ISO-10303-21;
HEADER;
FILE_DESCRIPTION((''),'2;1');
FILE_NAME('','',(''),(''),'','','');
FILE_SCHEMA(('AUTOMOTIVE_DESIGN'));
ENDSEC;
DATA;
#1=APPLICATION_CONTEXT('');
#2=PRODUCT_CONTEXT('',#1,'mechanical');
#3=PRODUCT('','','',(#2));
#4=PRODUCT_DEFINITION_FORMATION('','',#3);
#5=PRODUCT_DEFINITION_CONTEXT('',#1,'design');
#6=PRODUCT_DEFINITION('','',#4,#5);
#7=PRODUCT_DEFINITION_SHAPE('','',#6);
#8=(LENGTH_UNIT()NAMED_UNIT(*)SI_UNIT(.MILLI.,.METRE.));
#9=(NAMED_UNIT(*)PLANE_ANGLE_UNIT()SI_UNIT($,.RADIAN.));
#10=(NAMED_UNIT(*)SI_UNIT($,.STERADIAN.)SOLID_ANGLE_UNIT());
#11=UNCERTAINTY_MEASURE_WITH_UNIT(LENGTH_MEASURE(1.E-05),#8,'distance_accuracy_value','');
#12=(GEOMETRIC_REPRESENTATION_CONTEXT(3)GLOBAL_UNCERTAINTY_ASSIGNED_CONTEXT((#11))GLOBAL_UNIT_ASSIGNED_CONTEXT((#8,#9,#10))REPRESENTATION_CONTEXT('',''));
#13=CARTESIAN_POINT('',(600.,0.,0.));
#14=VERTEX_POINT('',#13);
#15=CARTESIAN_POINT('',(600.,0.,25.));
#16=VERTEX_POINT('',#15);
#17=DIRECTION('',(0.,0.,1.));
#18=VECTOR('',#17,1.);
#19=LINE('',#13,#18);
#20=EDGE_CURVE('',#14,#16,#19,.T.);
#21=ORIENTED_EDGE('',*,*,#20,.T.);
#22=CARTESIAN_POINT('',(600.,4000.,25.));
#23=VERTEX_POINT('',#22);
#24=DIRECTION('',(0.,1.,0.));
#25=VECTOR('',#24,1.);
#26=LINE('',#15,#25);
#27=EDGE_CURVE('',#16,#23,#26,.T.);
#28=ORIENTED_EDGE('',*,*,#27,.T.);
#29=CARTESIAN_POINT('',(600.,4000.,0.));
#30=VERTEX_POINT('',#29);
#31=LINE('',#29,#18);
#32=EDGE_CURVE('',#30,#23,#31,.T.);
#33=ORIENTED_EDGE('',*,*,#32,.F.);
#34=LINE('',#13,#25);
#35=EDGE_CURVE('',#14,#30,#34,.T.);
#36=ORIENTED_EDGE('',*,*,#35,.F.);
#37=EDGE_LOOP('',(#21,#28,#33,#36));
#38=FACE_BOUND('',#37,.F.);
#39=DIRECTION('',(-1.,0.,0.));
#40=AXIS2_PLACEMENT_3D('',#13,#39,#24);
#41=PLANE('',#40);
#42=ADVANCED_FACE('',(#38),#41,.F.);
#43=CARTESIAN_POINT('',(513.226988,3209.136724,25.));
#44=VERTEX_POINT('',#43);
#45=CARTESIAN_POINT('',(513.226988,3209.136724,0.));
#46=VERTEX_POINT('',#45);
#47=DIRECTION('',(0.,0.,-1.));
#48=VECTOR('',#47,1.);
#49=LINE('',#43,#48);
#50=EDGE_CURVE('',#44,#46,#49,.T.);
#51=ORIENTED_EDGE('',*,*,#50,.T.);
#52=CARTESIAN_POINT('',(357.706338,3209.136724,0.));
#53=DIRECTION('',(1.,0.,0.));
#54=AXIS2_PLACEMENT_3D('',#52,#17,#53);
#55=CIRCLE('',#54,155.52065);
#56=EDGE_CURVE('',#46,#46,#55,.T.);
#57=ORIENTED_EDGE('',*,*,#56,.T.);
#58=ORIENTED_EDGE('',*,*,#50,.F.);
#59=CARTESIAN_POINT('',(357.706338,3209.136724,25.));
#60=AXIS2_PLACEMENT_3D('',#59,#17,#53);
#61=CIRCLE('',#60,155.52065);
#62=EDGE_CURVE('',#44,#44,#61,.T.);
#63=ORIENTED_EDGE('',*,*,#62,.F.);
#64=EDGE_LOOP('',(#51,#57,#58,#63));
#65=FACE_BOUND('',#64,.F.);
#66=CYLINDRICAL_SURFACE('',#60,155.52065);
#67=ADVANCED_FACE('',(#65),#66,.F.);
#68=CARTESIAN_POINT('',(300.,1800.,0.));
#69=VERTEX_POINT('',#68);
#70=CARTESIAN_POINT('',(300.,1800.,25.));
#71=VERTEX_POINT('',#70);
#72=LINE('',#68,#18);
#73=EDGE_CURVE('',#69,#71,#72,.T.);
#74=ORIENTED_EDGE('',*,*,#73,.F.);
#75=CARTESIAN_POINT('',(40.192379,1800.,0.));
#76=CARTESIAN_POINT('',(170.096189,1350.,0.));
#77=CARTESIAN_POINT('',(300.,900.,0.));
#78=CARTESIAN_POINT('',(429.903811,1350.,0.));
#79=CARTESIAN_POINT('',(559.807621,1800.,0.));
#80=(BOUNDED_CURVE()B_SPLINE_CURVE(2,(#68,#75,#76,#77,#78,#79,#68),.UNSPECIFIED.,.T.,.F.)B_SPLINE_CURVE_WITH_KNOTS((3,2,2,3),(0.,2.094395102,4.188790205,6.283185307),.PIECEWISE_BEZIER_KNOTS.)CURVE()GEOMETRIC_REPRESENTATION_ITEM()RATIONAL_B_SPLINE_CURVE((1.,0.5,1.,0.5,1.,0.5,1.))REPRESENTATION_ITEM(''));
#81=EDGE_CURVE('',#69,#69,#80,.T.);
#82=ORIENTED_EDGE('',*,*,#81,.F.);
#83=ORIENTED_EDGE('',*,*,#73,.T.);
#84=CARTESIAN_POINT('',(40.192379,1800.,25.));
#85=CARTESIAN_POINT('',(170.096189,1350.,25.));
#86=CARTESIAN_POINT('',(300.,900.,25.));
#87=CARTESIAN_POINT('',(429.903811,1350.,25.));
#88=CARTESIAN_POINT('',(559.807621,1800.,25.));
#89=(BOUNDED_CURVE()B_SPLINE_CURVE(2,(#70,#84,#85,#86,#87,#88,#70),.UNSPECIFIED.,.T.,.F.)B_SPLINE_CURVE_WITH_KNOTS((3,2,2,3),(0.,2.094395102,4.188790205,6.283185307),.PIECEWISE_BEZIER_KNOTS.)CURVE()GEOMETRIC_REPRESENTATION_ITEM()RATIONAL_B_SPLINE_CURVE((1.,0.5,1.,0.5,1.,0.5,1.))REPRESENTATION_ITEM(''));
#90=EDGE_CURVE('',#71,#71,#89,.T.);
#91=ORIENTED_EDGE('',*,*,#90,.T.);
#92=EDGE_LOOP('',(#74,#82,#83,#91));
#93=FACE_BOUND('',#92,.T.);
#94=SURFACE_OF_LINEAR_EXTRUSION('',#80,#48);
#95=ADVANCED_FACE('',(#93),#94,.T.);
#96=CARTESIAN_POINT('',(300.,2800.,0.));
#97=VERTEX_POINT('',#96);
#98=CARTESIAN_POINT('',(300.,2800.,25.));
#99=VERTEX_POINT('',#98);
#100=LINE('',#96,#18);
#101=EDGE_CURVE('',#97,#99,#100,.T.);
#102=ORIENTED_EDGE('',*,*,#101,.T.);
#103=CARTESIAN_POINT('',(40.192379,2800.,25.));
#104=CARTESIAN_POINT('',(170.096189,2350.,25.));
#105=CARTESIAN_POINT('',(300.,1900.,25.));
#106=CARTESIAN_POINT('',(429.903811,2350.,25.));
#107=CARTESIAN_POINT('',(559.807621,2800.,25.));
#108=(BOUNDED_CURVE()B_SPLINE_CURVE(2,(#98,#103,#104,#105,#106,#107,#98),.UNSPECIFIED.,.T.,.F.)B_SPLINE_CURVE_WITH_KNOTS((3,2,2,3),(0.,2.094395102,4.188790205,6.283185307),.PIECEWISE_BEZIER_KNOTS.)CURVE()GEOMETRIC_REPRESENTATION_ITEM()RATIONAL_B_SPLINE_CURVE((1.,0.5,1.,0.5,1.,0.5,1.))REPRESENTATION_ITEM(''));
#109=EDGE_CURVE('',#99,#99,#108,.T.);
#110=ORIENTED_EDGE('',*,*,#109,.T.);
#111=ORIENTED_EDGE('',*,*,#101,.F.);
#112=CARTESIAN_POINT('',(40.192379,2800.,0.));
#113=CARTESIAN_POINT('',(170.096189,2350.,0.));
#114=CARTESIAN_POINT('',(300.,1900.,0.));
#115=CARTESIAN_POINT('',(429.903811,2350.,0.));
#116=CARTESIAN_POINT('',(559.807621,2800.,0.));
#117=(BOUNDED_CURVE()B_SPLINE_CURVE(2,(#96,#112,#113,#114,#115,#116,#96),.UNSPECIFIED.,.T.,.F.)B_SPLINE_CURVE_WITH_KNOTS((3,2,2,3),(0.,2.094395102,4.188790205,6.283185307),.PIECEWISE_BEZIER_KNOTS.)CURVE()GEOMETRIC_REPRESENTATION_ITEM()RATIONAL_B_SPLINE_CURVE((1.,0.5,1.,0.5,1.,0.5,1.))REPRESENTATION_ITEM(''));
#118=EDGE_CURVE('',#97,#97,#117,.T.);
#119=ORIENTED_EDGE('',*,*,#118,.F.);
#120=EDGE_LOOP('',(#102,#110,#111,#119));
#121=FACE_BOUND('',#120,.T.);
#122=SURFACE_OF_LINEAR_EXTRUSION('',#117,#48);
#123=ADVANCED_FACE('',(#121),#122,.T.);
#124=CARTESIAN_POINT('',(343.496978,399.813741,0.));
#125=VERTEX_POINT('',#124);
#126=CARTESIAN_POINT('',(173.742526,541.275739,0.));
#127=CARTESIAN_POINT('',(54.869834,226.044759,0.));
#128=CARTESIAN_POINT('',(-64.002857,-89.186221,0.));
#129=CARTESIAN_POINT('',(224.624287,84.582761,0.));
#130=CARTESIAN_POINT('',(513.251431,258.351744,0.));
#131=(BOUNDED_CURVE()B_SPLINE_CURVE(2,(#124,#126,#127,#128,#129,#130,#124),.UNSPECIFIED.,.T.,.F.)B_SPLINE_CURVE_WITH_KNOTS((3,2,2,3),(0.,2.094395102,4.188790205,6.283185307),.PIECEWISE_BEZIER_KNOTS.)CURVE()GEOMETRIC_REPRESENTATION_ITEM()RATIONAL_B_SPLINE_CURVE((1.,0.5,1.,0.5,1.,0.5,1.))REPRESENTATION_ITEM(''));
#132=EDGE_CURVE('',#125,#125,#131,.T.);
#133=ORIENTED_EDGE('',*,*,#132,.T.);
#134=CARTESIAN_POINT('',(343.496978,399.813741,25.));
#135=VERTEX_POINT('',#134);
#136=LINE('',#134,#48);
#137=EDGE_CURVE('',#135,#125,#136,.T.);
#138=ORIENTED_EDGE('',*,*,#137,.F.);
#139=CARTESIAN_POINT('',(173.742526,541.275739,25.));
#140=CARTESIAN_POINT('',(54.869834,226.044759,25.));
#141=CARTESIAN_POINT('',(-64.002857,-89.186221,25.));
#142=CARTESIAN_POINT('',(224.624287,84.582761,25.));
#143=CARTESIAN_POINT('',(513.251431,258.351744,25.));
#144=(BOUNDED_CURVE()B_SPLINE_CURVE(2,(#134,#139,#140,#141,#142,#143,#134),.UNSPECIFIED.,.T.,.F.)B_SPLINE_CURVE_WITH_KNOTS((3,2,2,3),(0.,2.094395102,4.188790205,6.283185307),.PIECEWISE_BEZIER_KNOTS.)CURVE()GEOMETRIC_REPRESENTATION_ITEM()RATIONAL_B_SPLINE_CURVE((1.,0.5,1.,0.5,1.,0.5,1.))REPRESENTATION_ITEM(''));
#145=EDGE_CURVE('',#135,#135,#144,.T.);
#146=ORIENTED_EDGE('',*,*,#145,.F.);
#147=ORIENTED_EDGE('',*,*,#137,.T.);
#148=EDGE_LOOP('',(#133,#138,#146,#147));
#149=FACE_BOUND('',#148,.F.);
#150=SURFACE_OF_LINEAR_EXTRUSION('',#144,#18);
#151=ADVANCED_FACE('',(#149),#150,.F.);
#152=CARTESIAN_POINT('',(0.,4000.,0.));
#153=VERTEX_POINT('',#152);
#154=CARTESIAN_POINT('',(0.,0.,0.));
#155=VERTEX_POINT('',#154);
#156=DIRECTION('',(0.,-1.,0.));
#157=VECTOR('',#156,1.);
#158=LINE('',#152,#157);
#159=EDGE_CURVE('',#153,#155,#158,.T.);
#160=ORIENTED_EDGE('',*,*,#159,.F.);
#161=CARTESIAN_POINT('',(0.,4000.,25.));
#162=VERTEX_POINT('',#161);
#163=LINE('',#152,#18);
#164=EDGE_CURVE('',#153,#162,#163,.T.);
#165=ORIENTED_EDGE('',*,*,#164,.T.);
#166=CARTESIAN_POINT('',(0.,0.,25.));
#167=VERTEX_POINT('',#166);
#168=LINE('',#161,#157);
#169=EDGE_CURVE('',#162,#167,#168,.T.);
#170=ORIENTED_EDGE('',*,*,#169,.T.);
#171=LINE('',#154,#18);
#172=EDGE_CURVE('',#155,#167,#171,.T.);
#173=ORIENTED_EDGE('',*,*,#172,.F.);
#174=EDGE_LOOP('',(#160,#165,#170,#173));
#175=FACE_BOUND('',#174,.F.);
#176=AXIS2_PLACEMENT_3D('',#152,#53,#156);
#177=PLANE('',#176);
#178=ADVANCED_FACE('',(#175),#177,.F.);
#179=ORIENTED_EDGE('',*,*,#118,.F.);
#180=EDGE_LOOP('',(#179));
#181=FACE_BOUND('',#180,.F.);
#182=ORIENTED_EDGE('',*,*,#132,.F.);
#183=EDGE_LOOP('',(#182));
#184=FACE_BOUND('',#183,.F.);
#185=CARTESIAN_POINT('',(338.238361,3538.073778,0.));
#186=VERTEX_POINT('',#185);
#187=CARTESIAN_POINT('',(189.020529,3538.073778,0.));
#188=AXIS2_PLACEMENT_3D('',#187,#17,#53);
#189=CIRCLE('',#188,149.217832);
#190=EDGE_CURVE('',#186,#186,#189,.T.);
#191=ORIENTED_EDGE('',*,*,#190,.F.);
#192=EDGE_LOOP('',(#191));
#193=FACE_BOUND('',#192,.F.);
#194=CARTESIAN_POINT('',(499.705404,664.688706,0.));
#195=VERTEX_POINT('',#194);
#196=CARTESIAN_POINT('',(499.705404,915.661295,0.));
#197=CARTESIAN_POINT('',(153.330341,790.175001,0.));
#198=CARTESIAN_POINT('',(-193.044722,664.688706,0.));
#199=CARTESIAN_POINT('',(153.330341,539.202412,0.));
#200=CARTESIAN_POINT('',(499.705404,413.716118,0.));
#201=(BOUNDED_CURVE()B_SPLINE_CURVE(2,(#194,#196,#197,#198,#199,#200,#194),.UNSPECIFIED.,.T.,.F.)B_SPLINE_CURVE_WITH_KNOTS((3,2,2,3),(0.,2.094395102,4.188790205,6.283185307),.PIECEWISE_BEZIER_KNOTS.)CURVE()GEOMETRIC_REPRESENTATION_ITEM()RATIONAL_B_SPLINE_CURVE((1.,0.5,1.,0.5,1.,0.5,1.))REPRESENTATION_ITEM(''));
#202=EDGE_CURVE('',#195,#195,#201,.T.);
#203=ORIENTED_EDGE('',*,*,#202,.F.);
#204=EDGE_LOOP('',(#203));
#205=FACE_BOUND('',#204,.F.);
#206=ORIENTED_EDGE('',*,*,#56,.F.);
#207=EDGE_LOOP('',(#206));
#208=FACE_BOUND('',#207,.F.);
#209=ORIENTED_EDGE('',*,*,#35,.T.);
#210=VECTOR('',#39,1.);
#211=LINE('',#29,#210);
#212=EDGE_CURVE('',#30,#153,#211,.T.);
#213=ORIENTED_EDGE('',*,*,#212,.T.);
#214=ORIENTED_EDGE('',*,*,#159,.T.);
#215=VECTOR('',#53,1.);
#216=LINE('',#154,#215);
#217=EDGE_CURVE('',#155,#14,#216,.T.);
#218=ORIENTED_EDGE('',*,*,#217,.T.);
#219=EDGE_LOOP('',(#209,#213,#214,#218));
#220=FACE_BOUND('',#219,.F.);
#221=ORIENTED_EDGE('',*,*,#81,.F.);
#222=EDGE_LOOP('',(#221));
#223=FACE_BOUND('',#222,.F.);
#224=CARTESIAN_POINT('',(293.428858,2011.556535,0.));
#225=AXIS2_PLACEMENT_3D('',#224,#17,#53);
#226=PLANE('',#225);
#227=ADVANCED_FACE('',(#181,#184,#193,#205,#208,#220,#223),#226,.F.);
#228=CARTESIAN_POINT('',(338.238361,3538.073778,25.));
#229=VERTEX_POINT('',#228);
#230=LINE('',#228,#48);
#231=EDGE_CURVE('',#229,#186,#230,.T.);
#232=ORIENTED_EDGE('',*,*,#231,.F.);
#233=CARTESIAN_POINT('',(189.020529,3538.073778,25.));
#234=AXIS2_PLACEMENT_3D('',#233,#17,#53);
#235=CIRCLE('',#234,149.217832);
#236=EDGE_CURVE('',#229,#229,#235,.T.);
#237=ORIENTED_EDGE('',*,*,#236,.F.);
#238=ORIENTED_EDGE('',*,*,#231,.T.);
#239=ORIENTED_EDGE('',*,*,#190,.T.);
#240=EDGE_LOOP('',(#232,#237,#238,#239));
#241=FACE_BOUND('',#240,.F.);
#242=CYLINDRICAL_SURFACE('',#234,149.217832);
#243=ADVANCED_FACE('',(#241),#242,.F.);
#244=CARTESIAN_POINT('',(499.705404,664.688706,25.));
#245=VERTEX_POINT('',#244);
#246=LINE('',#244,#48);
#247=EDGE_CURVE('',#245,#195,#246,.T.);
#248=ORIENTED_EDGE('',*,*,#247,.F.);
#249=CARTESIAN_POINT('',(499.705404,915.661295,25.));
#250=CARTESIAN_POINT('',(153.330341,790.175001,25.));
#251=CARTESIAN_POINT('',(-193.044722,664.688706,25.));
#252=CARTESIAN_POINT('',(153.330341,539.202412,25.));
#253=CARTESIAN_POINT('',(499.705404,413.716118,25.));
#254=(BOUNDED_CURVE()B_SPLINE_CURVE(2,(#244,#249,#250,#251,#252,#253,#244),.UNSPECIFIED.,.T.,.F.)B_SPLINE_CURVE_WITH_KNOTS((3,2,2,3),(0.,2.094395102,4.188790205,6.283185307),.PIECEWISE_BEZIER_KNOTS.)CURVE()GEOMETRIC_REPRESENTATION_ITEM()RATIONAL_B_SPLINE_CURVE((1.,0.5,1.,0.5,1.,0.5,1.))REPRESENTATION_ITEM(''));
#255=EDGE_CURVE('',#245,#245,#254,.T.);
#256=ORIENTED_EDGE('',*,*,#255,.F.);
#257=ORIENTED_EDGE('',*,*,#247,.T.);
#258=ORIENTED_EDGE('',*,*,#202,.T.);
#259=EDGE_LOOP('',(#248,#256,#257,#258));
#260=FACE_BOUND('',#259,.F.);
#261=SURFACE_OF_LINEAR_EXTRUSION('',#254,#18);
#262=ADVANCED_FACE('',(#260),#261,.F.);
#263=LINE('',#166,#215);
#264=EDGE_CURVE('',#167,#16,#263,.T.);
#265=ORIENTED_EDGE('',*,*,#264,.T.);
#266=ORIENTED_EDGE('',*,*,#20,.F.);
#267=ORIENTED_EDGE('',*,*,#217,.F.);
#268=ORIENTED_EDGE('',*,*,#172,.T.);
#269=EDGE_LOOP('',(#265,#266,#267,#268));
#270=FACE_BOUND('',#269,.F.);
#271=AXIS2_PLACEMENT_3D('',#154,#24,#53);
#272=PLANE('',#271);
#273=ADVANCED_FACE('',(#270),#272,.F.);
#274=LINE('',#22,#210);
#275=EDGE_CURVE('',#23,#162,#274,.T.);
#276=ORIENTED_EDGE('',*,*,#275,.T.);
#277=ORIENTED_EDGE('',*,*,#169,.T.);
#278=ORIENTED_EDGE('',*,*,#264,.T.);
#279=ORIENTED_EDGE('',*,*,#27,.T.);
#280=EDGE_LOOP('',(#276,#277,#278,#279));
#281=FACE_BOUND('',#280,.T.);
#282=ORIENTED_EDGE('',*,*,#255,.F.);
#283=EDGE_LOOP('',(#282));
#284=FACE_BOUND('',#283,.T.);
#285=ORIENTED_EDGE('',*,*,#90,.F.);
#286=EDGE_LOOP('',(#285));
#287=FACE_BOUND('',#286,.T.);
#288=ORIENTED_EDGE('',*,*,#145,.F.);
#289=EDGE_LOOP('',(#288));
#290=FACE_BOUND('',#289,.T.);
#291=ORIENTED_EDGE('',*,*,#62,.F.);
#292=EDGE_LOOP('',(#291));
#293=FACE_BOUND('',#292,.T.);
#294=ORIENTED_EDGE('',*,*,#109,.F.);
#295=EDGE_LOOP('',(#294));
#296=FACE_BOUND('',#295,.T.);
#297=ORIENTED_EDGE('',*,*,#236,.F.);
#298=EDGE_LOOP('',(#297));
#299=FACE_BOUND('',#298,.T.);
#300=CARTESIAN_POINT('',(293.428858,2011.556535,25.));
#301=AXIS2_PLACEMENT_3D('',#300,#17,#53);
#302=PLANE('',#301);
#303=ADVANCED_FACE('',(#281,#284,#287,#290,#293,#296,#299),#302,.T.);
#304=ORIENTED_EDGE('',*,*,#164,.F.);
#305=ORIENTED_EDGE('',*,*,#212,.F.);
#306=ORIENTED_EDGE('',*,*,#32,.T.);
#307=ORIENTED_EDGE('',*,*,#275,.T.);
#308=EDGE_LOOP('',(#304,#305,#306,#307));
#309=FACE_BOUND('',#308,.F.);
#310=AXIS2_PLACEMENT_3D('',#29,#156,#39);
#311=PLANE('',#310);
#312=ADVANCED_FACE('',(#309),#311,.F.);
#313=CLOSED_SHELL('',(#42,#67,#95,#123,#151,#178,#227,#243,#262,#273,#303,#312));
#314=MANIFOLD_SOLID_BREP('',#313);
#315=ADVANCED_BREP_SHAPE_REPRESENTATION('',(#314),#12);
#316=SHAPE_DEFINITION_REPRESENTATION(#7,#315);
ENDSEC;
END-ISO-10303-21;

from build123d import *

# Parameters (mm, degrees)
F1_DEPTH = 25
F2_R     = 149.2178316073
F2_R_2   = 155.5206499211
F3_DEPTH = 25


with BuildPart() as f1:
    # F0 (on Top) → F1 (new body)
    with BuildSketch(Plane.XY):
        with BuildLine():
            Line((0, 3000), (0, 0))
            Line((0, 0), (600, 0))
            Line((600, 0), (600, 186.544239521))
            ThreePointArc((600, 186.544239521), (450, 336.544239521), (600, 486.544239521))
            Line((600, 486.544239521), (600, 583.9368104935))
            ThreePointArc((600, 583.9368104935), (450, 733.9368104935), (600, 883.9368104935))
            Line((600, 883.9368104935), (600, 4000))
            Line((600, 4000), (0, 4000))
            Line((0, 4000), (0, 3100))
            Line((0, 3100), (150, 3100))
            ThreePointArc((150, 3100), (250, 3000), (150, 2900))
            ThreePointArc((150, 2900), (79.2893218813, 2929.2893218813), (50, 3000))
            Line((50, 3000), (0, 3000))
        make_face()
        with BuildLine():
            add(Edge.make_bspline(
                [(300, 1800), (40.1923788647, 1800), (170.0961894323, 1350), (300, 900), (429.9038105677, 1350), (559.8076211353, 1800), (300, 1800)],
                knots=[0, 0, 0, 2.0943951024, 2.0943951024, 4.1887902048, 4.1887902048, 6.2831853072, 6.2831853072, 6.2831853072], degree=2, weights=[1, 0.5, 1, 0.5, 1, 0.5, 1]))
        make_face(mode=Mode.SUBTRACT)
        with BuildLine():
            add(Edge.make_bspline(
                [(300, 2800), (40.1923788647, 2800), (170.0961894323, 2350), (300, 1900), (429.9038105677, 2350), (559.8076211353, 2800), (300, 2800)],
                knots=[0, 0, 0, 2.0943951024, 2.0943951024, 4.1887902048, 4.1887902048, 6.2831853072, 6.2831853072, 6.2831853072], degree=2, weights=[1, 0.5, 1, 0.5, 1, 0.5, 1]))
        make_face(mode=Mode.SUBTRACT)
        with BuildLine():
            Line((0, 3100), (0, 3000))
            Line((0, 3000), (50, 3000))
            ThreePointArc((50, 3000), (79.2893218813, 2929.2893218813), (150, 2900))
            ThreePointArc((150, 2900), (250, 3000), (150, 3100))
            Line((150, 3100), (0, 3100))
        make_face()
        with BuildLine():
            ThreePointArc((600, 883.9368104935), (450, 733.9368104935), (600, 583.9368104935))
            Line((600, 583.9368104935), (600, 883.9368104935))
        make_face()
        with BuildLine():
            ThreePointArc((600, 486.544239521), (450, 336.544239521), (600, 186.544239521))
            Line((600, 186.544239521), (600, 486.544239521))
        make_face()
    extrude(amount=F1_DEPTH)

    # F2 (on face) → F3 (cut)
    with BuildSketch(Plane.XY.offset(25)):
        with Locations((189.0205293894, 3538.0737781525)):
            Circle(F2_R)
        with Locations((357.7063381672, 3209.136724472)):
            Circle(F2_R_2)
        with BuildLine():
            add(Edge.make_bspline(
                [(499.7054040432, 664.688706398), (499.7054040432, 915.6612949131), (153.3303409815, 790.1750006556), (-193.0447220802, 664.688706398), (153.3303409815, 539.2024121405), (499.7054040432, 413.7161178829), (499.7054040432, 664.688706398)],
                knots=[0, 0, 0, 2.0943951024, 2.0943951024, 4.1887902048, 4.1887902048, 6.2831853072, 6.2831853072, 6.2831853072], degree=2, weights=[1, 0.5, 1, 0.5, 1, 0.5, 1]))
        make_face()
        with BuildLine():
            add(Edge.make_bspline(
                [(343.4969782829, 399.8137414455), (173.7425255404, 541.2757388417), (54.8698344641, 226.0447587403), (-64.0028566122, -89.1862213612), (224.6242872066, 84.5827613441), (513.2514310254, 258.3517440494), (343.4969782829, 399.8137414455)],
                knots=[0, 0, 0, 2.0943951024, 2.0943951024, 4.1887902048, 4.1887902048, 6.2831853072, 6.2831853072, 6.2831853072], degree=2, weights=[1, 0.5, 1, 0.5, 1, 0.5, 1]))
        make_face()
    extrude(amount=-F3_DEPTH, mode=Mode.SUBTRACT)


solid = f1.part
